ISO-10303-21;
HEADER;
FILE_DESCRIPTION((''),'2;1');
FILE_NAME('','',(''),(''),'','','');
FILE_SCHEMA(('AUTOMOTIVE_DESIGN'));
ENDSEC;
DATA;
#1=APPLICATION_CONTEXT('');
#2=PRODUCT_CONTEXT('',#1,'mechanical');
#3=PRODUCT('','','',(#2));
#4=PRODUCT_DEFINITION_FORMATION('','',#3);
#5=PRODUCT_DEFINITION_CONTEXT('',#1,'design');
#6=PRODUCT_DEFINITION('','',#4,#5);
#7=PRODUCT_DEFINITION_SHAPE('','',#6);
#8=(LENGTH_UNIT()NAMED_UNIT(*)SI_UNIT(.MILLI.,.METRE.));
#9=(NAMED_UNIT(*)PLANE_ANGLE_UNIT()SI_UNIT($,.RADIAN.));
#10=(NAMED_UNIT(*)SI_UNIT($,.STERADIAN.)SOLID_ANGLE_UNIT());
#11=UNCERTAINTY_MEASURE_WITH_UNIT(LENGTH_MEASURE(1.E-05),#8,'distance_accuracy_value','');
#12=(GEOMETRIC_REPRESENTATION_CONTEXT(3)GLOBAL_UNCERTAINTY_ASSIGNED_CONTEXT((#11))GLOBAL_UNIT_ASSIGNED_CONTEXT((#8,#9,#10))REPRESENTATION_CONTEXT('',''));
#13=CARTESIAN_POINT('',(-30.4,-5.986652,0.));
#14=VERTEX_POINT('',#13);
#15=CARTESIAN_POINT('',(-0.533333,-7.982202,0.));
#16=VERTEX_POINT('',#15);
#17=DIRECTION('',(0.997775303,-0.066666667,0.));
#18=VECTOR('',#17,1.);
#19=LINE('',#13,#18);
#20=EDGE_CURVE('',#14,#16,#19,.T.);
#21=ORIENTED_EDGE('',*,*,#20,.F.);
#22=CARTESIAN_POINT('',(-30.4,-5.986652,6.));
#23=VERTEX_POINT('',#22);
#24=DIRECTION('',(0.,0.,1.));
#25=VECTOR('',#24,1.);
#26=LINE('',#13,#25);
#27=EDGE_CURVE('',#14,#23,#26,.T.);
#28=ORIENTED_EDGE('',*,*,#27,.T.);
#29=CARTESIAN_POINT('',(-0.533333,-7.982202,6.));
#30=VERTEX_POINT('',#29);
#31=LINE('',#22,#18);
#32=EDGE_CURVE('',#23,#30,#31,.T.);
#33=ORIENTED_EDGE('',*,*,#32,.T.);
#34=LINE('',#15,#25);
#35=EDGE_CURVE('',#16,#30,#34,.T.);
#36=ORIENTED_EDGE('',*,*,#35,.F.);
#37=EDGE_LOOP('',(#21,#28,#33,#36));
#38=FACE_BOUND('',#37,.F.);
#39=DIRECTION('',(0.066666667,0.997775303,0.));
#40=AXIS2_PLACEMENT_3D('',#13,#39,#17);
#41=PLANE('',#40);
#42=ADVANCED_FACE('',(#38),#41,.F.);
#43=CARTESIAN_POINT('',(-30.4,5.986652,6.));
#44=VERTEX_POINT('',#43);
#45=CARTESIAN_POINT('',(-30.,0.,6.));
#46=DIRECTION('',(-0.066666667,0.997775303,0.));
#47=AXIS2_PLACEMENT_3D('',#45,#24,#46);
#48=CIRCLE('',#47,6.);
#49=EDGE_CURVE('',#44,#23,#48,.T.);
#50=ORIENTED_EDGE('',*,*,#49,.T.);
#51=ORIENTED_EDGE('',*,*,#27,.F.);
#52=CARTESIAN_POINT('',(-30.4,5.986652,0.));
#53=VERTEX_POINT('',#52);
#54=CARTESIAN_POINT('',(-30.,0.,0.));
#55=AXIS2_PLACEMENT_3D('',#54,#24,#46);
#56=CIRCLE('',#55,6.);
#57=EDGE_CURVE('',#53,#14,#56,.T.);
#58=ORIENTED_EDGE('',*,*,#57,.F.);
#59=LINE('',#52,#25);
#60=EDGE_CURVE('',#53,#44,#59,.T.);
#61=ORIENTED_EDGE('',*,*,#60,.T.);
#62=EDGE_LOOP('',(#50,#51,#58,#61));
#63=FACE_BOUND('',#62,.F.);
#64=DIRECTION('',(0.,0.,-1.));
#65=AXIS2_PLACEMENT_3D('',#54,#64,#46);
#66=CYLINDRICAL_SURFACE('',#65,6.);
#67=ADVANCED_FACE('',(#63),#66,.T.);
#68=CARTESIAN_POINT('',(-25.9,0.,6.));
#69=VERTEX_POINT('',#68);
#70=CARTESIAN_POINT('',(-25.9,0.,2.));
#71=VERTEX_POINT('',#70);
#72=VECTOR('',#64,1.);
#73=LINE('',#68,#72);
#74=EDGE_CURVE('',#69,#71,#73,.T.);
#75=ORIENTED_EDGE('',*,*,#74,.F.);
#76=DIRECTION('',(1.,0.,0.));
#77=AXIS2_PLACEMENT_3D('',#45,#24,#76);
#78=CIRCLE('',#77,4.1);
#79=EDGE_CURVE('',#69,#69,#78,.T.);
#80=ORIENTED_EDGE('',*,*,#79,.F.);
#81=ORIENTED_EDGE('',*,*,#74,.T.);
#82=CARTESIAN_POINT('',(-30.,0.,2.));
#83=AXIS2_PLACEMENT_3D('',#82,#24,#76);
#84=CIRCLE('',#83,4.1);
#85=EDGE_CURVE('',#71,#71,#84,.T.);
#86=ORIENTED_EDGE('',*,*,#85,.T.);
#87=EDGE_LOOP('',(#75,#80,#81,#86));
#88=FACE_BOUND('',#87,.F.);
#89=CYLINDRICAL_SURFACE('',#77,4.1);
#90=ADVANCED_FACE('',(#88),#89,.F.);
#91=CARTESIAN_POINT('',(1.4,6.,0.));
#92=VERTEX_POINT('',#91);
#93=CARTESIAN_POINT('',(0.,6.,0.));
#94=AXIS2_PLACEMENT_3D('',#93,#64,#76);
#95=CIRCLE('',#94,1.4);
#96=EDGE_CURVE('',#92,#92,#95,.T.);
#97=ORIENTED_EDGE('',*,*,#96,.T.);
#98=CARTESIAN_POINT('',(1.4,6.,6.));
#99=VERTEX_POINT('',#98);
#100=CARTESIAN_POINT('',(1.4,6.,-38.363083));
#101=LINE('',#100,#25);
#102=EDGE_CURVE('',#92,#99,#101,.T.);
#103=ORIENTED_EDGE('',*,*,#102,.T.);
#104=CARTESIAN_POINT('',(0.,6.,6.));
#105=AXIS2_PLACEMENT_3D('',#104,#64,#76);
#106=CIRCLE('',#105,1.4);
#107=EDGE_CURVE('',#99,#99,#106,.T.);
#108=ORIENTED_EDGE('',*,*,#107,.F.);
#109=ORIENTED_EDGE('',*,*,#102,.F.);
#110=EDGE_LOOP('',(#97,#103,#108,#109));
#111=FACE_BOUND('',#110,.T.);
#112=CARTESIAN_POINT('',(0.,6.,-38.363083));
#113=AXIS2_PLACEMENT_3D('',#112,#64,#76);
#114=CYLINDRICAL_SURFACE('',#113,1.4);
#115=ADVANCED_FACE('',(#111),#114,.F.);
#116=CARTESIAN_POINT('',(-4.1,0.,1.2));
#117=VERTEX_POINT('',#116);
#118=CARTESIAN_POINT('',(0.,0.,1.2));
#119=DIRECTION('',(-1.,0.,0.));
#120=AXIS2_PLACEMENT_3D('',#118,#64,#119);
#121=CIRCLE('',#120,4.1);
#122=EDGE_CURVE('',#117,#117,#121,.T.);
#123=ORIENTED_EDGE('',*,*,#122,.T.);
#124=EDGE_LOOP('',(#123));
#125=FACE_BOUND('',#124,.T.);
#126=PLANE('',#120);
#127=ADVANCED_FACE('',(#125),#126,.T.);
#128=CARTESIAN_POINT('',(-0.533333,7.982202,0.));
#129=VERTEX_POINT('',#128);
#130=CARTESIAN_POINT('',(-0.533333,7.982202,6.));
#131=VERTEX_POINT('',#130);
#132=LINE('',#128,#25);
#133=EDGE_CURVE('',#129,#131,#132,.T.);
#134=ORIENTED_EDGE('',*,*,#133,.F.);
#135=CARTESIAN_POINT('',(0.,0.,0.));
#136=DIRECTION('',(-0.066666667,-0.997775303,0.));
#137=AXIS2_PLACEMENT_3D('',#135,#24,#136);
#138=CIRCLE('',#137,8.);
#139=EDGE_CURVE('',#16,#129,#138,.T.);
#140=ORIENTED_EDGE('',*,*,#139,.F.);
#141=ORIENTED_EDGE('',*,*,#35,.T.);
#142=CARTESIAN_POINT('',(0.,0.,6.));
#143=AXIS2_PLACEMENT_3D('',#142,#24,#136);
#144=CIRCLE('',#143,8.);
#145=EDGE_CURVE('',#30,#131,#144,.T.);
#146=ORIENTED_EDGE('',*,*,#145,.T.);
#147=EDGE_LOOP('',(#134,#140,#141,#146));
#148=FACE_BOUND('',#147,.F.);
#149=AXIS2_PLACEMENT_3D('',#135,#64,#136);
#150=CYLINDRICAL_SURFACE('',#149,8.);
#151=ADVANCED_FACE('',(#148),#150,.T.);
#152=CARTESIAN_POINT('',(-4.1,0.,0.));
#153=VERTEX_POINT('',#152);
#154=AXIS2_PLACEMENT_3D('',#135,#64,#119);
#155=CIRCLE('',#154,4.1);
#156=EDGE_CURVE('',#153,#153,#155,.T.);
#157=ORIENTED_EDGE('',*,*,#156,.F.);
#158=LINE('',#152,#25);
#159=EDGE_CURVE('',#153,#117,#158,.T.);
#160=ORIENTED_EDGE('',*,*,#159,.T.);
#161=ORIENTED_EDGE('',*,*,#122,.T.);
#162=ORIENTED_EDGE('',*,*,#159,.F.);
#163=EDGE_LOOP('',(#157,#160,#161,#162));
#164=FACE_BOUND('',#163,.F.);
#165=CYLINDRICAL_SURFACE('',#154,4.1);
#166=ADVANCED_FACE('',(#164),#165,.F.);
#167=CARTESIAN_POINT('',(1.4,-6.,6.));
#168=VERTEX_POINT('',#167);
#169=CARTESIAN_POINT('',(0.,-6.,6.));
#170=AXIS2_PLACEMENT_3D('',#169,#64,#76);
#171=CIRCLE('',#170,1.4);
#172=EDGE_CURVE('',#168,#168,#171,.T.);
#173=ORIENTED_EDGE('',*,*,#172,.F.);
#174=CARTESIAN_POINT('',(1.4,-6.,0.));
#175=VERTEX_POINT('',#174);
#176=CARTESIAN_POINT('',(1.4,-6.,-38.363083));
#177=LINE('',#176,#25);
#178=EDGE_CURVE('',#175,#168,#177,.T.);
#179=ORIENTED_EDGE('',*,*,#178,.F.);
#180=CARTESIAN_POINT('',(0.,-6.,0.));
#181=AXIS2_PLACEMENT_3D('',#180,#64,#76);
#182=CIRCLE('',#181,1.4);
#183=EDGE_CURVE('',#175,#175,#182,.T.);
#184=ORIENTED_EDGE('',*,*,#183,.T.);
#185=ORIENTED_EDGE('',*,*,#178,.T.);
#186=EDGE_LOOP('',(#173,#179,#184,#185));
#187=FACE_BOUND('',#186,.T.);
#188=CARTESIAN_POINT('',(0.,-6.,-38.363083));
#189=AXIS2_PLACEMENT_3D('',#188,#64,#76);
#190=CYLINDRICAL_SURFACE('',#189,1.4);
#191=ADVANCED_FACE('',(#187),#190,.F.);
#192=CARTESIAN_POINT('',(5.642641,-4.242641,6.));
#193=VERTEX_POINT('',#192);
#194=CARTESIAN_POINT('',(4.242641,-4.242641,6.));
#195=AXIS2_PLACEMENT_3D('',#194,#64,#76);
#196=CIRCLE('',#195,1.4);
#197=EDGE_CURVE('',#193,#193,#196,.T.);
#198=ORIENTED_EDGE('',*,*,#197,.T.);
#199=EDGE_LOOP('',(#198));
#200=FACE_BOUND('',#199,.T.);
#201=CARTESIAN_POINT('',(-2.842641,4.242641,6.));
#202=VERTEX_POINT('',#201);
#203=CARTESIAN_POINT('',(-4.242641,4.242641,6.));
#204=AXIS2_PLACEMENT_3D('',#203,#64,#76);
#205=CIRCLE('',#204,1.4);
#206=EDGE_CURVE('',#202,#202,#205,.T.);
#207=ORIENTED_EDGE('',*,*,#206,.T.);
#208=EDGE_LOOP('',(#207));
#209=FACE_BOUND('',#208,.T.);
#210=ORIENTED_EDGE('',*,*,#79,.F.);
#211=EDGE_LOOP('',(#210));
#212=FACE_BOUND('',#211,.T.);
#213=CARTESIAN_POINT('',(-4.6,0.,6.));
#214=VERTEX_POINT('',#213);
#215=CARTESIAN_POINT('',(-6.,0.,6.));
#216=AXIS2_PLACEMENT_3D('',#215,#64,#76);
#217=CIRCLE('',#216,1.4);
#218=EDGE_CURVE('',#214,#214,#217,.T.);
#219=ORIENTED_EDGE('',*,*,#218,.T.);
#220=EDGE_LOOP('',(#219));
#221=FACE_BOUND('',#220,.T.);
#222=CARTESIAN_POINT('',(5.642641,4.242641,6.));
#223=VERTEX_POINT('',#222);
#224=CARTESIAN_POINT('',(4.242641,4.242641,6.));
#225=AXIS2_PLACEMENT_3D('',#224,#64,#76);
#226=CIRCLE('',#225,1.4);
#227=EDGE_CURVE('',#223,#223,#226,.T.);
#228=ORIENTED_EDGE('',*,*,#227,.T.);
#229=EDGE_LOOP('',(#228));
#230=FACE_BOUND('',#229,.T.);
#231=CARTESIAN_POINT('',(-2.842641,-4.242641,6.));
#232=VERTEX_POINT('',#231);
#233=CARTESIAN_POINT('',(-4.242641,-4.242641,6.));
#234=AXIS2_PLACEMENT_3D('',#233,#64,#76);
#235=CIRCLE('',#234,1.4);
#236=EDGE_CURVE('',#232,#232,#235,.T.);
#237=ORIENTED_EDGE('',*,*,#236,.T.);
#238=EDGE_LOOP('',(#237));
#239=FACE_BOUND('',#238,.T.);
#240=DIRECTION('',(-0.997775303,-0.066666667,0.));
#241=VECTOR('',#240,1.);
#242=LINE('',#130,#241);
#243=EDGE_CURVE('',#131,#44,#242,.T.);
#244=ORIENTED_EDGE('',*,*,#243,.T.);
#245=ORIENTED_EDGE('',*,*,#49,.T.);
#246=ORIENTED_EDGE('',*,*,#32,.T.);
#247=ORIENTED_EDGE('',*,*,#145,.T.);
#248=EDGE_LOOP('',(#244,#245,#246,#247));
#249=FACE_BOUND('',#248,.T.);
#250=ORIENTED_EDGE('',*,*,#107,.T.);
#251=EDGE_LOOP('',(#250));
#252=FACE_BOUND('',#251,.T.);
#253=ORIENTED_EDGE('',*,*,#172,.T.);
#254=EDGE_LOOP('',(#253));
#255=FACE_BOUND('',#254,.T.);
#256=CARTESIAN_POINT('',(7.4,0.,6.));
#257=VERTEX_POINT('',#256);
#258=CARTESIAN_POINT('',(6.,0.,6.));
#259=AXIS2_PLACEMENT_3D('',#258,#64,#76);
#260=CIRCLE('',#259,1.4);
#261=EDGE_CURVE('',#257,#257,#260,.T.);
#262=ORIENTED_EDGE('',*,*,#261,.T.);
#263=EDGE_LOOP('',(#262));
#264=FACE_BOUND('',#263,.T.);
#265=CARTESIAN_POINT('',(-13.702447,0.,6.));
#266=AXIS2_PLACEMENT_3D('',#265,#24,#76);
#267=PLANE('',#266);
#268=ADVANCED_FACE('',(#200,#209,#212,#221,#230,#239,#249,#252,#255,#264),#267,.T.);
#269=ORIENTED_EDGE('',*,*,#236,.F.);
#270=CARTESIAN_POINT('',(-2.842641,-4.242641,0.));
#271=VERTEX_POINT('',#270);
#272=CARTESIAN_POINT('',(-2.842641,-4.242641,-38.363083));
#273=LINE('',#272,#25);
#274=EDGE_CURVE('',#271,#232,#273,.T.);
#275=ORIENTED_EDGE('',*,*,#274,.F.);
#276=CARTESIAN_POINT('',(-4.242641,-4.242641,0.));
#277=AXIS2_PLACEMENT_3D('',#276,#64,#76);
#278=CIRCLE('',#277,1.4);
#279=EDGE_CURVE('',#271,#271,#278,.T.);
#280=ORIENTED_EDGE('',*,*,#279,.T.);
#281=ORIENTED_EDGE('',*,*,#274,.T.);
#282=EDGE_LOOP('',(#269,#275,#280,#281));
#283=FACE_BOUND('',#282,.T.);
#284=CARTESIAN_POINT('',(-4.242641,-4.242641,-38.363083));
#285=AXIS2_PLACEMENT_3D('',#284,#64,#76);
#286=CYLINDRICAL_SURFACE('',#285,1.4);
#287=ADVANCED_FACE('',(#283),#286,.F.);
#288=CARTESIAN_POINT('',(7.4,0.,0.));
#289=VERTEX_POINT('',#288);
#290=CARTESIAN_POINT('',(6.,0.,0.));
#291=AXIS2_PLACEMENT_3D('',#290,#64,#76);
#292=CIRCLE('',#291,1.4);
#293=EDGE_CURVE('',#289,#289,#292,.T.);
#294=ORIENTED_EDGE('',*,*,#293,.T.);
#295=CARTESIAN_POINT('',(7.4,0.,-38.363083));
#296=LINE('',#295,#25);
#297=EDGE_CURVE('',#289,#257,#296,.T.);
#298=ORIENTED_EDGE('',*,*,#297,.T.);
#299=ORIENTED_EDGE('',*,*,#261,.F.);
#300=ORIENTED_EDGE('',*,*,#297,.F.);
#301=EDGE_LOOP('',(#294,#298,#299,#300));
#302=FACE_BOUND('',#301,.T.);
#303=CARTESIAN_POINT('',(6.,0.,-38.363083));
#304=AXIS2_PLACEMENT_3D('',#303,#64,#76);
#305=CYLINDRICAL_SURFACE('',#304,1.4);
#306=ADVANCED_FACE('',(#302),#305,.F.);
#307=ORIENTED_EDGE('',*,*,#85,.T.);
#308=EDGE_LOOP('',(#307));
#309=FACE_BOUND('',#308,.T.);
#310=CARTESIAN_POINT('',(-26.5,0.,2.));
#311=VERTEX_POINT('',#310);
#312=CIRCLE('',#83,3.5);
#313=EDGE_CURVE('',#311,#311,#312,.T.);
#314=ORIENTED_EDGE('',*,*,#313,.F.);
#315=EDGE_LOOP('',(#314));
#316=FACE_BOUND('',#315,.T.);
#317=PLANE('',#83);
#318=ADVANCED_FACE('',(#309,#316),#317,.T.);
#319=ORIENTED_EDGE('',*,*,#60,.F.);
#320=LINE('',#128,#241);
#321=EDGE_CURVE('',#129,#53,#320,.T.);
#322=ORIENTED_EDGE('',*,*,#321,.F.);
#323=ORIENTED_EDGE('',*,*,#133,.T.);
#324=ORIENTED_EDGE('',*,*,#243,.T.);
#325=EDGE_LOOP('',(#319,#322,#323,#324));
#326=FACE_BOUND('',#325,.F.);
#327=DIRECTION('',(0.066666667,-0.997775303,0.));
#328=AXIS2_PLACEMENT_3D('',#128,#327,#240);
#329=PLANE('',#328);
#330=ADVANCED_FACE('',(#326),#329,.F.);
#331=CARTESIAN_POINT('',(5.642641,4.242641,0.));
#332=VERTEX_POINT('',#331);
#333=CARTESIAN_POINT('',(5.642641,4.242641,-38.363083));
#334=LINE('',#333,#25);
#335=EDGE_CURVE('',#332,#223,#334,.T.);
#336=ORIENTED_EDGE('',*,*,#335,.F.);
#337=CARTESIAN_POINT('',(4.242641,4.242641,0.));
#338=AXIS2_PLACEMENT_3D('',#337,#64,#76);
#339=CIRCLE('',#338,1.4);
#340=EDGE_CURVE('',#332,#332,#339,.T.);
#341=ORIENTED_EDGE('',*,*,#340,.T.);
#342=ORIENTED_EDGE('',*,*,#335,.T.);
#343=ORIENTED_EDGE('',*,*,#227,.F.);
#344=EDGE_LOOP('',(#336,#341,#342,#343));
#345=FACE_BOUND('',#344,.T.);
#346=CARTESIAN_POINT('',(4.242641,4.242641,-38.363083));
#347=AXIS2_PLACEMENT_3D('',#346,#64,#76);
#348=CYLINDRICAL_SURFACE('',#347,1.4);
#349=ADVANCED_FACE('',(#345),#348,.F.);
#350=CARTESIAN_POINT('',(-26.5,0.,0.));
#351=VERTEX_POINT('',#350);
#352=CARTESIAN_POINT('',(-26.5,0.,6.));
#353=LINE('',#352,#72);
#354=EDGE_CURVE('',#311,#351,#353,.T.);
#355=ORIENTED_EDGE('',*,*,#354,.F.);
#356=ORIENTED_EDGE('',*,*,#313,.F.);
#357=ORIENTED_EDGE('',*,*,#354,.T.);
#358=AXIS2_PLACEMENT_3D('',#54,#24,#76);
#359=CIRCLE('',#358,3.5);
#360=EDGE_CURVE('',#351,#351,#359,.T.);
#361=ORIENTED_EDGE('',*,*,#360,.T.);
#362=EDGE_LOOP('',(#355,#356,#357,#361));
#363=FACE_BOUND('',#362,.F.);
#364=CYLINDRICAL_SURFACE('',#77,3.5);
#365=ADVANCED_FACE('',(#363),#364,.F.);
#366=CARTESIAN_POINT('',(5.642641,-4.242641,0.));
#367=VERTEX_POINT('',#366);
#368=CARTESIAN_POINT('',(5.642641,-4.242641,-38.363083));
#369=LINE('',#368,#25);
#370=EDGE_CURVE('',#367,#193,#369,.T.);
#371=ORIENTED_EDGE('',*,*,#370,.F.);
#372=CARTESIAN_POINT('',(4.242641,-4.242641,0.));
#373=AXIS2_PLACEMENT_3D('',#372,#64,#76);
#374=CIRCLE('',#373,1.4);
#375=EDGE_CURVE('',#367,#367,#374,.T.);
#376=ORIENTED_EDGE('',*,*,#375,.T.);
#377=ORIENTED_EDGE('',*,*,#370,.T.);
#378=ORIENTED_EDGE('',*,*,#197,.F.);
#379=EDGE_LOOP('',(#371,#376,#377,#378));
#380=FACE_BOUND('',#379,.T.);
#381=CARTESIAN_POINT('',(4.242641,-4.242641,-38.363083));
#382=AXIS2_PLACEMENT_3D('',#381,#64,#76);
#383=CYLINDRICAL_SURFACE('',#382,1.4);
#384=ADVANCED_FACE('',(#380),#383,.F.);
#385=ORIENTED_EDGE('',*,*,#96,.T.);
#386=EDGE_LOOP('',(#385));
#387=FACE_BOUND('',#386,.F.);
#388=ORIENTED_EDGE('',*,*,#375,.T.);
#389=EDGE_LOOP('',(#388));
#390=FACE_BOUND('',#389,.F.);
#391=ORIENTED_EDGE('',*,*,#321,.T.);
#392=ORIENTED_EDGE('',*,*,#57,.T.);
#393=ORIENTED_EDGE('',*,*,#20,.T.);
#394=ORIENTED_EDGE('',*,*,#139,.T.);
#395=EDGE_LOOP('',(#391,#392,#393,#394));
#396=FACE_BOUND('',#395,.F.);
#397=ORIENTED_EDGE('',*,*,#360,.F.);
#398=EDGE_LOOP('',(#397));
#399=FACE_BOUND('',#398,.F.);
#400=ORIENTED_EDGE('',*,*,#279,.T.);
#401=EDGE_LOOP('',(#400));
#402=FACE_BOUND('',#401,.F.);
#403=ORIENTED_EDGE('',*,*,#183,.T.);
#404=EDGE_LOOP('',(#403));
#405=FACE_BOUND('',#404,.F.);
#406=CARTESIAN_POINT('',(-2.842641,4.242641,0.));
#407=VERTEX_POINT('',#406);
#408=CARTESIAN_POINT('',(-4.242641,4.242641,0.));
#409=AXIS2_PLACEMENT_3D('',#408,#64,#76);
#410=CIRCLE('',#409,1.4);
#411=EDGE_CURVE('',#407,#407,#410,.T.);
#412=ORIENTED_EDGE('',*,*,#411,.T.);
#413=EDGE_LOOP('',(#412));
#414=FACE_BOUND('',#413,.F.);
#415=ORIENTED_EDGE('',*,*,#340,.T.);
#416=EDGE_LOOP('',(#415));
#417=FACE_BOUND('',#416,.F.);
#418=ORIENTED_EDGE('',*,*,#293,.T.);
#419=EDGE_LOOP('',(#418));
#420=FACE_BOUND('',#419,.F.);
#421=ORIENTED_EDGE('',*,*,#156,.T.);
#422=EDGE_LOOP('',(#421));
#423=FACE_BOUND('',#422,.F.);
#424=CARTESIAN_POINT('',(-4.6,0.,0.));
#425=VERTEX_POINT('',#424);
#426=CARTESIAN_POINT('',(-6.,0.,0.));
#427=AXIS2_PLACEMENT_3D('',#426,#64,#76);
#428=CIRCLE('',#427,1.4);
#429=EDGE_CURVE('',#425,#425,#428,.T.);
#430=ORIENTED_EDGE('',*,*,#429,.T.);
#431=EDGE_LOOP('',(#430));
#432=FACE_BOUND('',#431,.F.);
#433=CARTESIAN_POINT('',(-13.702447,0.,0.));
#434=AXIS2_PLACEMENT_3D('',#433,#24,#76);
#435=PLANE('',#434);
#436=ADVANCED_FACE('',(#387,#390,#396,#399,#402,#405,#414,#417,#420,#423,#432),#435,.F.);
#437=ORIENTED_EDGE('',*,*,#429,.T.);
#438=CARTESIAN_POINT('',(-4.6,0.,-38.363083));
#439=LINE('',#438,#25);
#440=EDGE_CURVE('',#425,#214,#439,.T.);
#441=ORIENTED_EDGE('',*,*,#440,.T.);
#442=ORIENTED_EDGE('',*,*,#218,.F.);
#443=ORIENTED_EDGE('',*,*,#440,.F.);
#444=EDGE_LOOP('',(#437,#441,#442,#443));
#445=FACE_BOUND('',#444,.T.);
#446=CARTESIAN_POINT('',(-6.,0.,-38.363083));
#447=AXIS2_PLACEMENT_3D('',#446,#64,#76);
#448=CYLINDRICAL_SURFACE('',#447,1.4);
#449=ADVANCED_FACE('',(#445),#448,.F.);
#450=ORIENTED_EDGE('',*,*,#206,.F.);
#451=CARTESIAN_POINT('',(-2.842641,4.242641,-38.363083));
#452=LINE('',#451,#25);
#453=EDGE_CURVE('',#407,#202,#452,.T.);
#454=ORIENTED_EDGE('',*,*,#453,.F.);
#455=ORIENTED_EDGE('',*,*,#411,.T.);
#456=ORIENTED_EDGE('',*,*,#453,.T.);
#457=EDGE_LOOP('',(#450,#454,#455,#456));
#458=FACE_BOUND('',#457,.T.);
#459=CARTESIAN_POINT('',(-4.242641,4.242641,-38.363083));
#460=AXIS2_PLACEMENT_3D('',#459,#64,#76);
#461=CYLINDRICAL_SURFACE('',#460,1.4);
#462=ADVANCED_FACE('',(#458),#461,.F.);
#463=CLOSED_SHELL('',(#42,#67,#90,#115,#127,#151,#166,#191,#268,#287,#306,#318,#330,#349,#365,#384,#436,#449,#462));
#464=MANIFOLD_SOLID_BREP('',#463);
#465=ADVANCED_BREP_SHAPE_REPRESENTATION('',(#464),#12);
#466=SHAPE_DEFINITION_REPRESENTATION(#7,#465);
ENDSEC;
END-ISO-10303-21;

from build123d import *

# Parameters (mm, degrees)
EXTRUDE_1_DEPTH          = 6
CUT_EXTRUDE_1_DEPTH      = 38.363083385
CUT_EXTRUDE_1_DEPTH_BACK = 38.363083385
SKETCH_2_R               = 1.4
SKETCH_3_R               = 4.1
CUT_EXTRUDE_2_DEPTH      = 1.2
SKETCH_4_R               = 4.1
CUT_EXTRUDE_3_DEPTH      = 4
SKETCH_5_R               = 3.5
CUT_EXTRUDE_5_DEPTH      = 38.363083385


with BuildPart() as part:
    # ｽｹｯﾁ1 → ﾎﾞｽ - 押し出し1 (new body)
    with BuildSketch(Plane.XY):
        with BuildLine():
            Line((-0.533333333, 7.982202425), (-30.4, 5.986651819))
            ThreePointArc((-30.4, 5.986651819), (-36, 0), (-30.4, -5.986651819))
            Line((-30.4, -5.986651819), (-0.533333333, -7.982202425))
            ThreePointArc((-0.533333333, -7.982202425), (8, 0), (-0.533333333, 7.982202425))
        make_face()
    extrude(amount=EXTRUDE_1_DEPTH)

    # ｽｹｯﾁ2 → ｶｯﾄ - 押し出し1 (cut, two sides: drawn at the far end of the back side and taken through both)
    with BuildSketch(Plane.XY.offset(-CUT_EXTRUDE_1_DEPTH_BACK)):
        with Locations((-4.242640687, 4.242640687)):
            Circle(SKETCH_2_R)
        with Locations((6, 0)):
            Circle(SKETCH_2_R)
        with Locations((0, 6)):
            Circle(SKETCH_2_R)
        with Locations((-6, 0)):
            Circle(SKETCH_2_R)
        with Locations((-4.242640687, -4.242640687)):
            Circle(SKETCH_2_R)
        with Locations((0, -6)):
            Circle(SKETCH_2_R)
        with Locations((4.242640687, -4.242640687)):
            Circle(SKETCH_2_R)
        with Locations((4.242640687, 4.242640687)):
            Circle(SKETCH_2_R)
    extrude(amount=CUT_EXTRUDE_1_DEPTH + CUT_EXTRUDE_1_DEPTH_BACK, mode=Mode.SUBTRACT)

    # ｽｹｯﾁ3 → ｶｯﾄ - 押し出し2 (cut)
    with BuildSketch(Plane(origin=(0, 0, 0), x_dir=(-1, 0, 0), z_dir=(0, 0, -1))):
        Circle(SKETCH_3_R)
    extrude(amount=-CUT_EXTRUDE_2_DEPTH, mode=Mode.SUBTRACT)

    # ｽｹｯﾁ4 → ｶｯﾄ - 押し出し3 (cut)
    with BuildSketch(Plane.XY.offset(6)):
        with Locations((-30, 0)):
            Circle(SKETCH_4_R)
    extrude(amount=-CUT_EXTRUDE_3_DEPTH, mode=Mode.SUBTRACT)

    # ｽｹｯﾁ5 → ｶｯﾄ - 押し出し5 (cut, through all)
    with BuildSketch(Plane.XY.offset(6)):
        with Locations((-30, 0)):
            Circle(SKETCH_5_R)
    extrude(amount=-CUT_EXTRUDE_5_DEPTH, mode=Mode.SUBTRACT)


solid = part.part
